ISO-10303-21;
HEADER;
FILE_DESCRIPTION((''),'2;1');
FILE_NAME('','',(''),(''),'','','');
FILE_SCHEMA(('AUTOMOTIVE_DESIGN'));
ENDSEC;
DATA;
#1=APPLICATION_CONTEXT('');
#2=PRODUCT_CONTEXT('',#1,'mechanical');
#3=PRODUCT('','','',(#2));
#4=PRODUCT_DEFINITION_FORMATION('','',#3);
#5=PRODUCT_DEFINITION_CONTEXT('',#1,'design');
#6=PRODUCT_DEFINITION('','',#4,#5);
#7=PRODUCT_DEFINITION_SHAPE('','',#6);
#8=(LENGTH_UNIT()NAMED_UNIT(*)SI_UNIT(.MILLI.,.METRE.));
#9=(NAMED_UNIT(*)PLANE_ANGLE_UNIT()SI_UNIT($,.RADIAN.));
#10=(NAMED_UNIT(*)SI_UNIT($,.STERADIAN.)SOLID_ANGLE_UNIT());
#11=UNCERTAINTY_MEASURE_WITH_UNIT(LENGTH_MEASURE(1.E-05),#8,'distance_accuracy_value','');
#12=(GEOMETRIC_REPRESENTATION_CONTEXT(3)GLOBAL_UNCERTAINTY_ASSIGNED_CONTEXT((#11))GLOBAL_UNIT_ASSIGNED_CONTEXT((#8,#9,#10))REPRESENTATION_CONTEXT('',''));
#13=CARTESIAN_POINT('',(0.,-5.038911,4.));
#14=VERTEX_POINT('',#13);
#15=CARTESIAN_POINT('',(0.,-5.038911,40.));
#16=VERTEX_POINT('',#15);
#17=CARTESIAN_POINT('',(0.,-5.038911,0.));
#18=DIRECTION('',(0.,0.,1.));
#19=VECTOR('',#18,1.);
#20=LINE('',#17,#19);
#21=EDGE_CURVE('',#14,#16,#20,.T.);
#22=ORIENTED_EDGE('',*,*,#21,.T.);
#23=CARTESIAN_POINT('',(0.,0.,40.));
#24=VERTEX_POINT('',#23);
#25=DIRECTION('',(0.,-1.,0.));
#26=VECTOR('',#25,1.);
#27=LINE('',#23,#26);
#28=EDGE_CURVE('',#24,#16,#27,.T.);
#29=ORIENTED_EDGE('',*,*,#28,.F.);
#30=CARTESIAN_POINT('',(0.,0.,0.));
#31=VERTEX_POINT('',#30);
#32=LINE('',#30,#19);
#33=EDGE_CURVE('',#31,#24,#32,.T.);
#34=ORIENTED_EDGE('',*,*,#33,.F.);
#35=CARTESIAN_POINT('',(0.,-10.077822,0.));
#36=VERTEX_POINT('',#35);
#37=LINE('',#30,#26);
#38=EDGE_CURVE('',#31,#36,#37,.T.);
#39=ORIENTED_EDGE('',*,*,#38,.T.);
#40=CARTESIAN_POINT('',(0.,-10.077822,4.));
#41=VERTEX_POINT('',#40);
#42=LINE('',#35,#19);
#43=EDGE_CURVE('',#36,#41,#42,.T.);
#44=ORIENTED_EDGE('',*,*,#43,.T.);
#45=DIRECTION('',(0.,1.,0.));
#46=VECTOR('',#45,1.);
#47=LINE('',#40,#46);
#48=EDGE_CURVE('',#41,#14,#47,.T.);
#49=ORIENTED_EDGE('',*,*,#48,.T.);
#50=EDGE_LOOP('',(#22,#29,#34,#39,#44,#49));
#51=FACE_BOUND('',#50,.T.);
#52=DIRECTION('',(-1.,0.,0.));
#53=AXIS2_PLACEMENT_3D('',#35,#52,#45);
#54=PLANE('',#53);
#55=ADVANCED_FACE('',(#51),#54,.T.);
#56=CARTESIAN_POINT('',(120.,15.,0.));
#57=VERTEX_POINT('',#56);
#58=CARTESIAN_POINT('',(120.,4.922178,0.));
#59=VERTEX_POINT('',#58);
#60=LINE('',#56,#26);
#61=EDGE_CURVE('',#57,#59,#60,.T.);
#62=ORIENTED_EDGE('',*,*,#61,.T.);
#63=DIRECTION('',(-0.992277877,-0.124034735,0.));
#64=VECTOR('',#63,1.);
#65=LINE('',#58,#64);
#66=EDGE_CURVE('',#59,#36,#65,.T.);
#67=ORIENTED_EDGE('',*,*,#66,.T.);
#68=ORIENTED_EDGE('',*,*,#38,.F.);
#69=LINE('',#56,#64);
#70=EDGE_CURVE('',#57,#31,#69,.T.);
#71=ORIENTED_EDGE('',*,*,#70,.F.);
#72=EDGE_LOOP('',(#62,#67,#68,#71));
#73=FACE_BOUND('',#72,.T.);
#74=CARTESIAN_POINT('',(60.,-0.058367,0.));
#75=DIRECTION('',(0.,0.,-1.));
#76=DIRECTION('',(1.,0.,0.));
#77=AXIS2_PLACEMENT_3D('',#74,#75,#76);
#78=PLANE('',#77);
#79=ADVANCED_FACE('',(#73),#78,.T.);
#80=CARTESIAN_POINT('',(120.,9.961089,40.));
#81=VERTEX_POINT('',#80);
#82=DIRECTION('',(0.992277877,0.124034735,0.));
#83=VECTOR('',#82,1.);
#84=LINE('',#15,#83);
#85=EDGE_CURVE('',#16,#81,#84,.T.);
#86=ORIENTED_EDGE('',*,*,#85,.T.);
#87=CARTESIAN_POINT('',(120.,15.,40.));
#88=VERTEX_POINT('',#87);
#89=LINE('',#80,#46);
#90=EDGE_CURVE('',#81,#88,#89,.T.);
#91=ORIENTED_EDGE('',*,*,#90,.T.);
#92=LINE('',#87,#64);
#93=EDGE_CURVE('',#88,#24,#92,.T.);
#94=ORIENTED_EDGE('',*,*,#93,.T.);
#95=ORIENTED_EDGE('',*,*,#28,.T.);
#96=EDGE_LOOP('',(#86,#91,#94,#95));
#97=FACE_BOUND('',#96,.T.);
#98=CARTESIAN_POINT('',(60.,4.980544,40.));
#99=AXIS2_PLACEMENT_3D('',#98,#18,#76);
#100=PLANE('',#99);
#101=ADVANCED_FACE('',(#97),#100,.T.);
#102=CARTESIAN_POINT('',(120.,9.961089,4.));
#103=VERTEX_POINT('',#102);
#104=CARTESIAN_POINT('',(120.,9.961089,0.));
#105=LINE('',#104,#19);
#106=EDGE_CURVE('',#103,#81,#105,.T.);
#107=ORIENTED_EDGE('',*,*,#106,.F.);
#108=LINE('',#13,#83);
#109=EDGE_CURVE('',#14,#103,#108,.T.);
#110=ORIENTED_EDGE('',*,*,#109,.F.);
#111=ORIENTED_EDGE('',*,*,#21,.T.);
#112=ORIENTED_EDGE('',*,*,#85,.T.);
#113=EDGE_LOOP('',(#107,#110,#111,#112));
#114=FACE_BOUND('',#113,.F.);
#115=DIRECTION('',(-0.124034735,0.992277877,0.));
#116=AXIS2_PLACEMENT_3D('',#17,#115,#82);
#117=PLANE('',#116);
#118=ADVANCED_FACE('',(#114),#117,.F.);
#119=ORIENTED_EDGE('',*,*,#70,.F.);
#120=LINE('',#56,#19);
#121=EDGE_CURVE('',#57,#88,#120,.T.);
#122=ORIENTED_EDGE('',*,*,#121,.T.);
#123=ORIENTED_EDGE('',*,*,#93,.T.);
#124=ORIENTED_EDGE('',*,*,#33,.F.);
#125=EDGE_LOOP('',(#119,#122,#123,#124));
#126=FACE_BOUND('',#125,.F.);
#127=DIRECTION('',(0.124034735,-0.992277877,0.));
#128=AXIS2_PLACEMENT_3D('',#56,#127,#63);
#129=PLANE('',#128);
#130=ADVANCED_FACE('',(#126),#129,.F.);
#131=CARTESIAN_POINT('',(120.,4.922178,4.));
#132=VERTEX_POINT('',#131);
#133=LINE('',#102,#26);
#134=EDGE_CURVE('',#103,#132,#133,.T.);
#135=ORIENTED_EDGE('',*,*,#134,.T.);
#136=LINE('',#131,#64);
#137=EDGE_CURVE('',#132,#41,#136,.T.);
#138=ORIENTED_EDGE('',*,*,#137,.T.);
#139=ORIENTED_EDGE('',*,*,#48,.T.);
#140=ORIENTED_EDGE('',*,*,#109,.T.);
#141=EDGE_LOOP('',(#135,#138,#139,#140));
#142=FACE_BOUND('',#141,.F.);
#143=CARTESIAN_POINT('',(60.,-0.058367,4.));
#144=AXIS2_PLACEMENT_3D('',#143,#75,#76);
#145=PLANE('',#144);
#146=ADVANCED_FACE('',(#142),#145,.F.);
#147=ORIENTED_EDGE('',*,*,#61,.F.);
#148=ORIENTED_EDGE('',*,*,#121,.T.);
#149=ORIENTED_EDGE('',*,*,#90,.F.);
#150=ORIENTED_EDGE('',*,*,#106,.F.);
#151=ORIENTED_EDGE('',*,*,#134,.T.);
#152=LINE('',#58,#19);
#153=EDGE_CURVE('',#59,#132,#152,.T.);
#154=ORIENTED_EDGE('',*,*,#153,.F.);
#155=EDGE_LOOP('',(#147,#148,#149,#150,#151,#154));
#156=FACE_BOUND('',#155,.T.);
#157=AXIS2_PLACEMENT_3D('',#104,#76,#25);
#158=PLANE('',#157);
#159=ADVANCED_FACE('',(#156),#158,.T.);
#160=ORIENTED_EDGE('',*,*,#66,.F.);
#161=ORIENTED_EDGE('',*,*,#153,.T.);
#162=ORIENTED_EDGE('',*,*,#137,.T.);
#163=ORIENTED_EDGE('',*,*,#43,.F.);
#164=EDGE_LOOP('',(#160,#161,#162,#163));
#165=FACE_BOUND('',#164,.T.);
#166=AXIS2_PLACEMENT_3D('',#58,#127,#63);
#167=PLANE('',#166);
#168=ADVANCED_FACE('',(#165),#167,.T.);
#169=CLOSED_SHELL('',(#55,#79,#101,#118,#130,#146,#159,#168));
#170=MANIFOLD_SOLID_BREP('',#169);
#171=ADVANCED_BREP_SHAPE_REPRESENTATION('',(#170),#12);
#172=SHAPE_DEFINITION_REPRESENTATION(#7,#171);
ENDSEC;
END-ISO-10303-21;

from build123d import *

# Parameters (mm, degrees)
F1_DEPTH = 40
F3_DEPTH = 4


with BuildPart() as f1:
    # F0 (on Top) → F1 (new body)
    with BuildSketch(Plane.XY):
        Polygon((120, 9.961089), (120, 15), (0, 0), (0, -5.038911), align=None)
    extrude(amount=F1_DEPTH)

    # F2 (on face) → F3 (join)
    with BuildSketch(Plane(origin=(0, 0, 0), x_dir=(1, 0, 0), z_dir=(0, 0, -1))):
        Polygon((0, 10.077822), (0, 5.038911), (120, -9.961089), (120, -4.922178), align=None)
    extrude(amount=-F3_DEPTH)


solid = f1.part
